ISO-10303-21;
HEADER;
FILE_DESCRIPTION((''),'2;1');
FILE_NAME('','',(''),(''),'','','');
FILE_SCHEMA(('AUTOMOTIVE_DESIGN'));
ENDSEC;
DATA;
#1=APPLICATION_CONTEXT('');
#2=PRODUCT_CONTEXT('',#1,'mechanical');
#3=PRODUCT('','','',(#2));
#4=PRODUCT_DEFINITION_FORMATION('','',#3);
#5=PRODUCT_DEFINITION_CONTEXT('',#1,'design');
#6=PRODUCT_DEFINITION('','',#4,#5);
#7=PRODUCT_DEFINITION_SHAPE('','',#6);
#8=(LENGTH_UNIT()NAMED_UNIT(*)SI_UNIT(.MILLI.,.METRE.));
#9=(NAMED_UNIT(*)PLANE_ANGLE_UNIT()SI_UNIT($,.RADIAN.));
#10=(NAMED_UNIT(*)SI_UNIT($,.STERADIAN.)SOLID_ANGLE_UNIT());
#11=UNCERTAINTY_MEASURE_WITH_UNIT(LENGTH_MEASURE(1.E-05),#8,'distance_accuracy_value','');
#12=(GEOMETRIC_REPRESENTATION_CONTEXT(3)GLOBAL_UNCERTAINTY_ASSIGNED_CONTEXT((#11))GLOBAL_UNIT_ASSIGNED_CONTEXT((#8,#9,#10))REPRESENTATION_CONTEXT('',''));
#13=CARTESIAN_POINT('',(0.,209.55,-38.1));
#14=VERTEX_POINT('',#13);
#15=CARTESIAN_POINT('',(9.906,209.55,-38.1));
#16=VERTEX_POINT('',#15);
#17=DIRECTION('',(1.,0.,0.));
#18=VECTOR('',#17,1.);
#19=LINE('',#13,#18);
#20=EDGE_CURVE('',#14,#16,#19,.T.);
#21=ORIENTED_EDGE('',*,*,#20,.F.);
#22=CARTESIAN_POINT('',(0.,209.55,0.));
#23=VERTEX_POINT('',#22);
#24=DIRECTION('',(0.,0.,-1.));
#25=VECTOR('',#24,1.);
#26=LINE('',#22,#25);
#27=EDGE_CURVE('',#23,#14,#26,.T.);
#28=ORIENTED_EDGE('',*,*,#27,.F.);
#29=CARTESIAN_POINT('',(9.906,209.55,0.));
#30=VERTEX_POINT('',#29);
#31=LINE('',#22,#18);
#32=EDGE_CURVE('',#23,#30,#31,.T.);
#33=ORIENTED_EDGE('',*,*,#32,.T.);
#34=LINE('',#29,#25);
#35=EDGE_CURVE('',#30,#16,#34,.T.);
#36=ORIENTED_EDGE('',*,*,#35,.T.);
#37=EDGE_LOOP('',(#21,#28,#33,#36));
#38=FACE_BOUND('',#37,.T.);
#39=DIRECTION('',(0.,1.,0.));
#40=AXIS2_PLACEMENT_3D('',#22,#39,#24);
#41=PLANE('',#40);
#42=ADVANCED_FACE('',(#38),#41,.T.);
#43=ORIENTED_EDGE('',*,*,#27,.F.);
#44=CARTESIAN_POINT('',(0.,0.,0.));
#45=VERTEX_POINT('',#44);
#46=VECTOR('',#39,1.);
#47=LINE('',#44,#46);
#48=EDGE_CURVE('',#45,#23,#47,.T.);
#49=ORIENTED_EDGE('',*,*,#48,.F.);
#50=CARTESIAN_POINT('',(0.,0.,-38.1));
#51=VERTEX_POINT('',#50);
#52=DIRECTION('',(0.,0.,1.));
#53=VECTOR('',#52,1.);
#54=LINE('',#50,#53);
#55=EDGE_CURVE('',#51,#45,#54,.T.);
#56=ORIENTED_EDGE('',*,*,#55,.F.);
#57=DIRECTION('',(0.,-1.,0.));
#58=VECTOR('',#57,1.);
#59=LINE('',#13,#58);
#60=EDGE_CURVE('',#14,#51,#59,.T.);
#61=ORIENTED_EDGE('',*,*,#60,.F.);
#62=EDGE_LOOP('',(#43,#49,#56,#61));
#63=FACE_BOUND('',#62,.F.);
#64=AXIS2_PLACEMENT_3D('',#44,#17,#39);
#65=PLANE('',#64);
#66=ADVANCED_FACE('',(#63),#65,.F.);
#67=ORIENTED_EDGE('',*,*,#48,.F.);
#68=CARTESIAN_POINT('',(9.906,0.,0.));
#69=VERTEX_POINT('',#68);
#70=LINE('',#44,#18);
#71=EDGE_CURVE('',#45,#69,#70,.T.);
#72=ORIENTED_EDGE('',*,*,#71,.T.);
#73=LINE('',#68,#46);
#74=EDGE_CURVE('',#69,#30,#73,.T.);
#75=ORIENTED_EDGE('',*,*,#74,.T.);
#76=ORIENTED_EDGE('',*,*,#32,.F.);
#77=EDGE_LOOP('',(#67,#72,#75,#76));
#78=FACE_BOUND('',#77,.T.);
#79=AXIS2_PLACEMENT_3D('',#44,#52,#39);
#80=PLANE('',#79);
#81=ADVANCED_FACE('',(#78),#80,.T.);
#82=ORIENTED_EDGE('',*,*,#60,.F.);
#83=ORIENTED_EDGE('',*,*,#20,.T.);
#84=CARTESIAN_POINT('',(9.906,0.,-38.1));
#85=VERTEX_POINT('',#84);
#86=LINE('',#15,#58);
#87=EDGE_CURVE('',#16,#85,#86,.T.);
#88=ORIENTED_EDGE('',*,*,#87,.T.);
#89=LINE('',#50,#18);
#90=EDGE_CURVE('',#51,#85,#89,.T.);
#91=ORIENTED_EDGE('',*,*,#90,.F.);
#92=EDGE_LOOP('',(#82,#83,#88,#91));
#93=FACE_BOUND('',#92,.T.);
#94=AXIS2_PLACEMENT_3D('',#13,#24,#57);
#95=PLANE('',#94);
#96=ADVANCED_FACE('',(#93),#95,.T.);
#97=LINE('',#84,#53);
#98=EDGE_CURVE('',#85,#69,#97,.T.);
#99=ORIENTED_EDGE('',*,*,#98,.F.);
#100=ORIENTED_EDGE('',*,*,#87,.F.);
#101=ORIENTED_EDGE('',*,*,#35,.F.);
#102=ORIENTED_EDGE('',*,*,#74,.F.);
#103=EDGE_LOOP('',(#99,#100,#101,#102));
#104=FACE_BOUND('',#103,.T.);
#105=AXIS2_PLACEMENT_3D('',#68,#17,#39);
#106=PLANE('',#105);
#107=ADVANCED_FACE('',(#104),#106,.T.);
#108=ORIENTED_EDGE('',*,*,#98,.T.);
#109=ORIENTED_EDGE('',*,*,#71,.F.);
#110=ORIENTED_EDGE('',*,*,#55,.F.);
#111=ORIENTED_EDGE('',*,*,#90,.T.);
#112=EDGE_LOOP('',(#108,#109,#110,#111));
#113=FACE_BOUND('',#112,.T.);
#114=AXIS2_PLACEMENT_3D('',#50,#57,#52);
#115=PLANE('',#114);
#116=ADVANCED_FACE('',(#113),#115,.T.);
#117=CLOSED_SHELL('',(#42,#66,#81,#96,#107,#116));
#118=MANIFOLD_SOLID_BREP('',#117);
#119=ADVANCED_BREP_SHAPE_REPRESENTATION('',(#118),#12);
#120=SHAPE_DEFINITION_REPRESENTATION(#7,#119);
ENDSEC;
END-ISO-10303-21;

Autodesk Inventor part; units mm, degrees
ref_plane "YZ Plane" through (0, 0, 0) normal (1, 0, 0) x (0, 1, 0)
ref_plane "XZ Plane" through (0, 0, 0) normal (0, 1, 0) x (-1, 0, 0)
ref_plane "XY Plane" through (0, 0, 0) normal (0, 0, 1) x (1, 0, 0)
sketch "Sketch1" plane through (0, 0, 0) normal (1, 0, 0) x (0, 1, 0)
  line L0 (0, 0) -> (209.55, 0)
  line L1 (209.55, 0) -> (209.55, -38.1)
  line L2 (209.55, -38.1) -> (0, -38.1)
  line L3 (0, -38.1) -> (0, 0)
  dimension "d0" = 209.55
  dimension "d1" = 38.1
extrude "Extrusion1" add sketch "Sketch1" along normal blind 9.906
properties part number "LiftBrace"
